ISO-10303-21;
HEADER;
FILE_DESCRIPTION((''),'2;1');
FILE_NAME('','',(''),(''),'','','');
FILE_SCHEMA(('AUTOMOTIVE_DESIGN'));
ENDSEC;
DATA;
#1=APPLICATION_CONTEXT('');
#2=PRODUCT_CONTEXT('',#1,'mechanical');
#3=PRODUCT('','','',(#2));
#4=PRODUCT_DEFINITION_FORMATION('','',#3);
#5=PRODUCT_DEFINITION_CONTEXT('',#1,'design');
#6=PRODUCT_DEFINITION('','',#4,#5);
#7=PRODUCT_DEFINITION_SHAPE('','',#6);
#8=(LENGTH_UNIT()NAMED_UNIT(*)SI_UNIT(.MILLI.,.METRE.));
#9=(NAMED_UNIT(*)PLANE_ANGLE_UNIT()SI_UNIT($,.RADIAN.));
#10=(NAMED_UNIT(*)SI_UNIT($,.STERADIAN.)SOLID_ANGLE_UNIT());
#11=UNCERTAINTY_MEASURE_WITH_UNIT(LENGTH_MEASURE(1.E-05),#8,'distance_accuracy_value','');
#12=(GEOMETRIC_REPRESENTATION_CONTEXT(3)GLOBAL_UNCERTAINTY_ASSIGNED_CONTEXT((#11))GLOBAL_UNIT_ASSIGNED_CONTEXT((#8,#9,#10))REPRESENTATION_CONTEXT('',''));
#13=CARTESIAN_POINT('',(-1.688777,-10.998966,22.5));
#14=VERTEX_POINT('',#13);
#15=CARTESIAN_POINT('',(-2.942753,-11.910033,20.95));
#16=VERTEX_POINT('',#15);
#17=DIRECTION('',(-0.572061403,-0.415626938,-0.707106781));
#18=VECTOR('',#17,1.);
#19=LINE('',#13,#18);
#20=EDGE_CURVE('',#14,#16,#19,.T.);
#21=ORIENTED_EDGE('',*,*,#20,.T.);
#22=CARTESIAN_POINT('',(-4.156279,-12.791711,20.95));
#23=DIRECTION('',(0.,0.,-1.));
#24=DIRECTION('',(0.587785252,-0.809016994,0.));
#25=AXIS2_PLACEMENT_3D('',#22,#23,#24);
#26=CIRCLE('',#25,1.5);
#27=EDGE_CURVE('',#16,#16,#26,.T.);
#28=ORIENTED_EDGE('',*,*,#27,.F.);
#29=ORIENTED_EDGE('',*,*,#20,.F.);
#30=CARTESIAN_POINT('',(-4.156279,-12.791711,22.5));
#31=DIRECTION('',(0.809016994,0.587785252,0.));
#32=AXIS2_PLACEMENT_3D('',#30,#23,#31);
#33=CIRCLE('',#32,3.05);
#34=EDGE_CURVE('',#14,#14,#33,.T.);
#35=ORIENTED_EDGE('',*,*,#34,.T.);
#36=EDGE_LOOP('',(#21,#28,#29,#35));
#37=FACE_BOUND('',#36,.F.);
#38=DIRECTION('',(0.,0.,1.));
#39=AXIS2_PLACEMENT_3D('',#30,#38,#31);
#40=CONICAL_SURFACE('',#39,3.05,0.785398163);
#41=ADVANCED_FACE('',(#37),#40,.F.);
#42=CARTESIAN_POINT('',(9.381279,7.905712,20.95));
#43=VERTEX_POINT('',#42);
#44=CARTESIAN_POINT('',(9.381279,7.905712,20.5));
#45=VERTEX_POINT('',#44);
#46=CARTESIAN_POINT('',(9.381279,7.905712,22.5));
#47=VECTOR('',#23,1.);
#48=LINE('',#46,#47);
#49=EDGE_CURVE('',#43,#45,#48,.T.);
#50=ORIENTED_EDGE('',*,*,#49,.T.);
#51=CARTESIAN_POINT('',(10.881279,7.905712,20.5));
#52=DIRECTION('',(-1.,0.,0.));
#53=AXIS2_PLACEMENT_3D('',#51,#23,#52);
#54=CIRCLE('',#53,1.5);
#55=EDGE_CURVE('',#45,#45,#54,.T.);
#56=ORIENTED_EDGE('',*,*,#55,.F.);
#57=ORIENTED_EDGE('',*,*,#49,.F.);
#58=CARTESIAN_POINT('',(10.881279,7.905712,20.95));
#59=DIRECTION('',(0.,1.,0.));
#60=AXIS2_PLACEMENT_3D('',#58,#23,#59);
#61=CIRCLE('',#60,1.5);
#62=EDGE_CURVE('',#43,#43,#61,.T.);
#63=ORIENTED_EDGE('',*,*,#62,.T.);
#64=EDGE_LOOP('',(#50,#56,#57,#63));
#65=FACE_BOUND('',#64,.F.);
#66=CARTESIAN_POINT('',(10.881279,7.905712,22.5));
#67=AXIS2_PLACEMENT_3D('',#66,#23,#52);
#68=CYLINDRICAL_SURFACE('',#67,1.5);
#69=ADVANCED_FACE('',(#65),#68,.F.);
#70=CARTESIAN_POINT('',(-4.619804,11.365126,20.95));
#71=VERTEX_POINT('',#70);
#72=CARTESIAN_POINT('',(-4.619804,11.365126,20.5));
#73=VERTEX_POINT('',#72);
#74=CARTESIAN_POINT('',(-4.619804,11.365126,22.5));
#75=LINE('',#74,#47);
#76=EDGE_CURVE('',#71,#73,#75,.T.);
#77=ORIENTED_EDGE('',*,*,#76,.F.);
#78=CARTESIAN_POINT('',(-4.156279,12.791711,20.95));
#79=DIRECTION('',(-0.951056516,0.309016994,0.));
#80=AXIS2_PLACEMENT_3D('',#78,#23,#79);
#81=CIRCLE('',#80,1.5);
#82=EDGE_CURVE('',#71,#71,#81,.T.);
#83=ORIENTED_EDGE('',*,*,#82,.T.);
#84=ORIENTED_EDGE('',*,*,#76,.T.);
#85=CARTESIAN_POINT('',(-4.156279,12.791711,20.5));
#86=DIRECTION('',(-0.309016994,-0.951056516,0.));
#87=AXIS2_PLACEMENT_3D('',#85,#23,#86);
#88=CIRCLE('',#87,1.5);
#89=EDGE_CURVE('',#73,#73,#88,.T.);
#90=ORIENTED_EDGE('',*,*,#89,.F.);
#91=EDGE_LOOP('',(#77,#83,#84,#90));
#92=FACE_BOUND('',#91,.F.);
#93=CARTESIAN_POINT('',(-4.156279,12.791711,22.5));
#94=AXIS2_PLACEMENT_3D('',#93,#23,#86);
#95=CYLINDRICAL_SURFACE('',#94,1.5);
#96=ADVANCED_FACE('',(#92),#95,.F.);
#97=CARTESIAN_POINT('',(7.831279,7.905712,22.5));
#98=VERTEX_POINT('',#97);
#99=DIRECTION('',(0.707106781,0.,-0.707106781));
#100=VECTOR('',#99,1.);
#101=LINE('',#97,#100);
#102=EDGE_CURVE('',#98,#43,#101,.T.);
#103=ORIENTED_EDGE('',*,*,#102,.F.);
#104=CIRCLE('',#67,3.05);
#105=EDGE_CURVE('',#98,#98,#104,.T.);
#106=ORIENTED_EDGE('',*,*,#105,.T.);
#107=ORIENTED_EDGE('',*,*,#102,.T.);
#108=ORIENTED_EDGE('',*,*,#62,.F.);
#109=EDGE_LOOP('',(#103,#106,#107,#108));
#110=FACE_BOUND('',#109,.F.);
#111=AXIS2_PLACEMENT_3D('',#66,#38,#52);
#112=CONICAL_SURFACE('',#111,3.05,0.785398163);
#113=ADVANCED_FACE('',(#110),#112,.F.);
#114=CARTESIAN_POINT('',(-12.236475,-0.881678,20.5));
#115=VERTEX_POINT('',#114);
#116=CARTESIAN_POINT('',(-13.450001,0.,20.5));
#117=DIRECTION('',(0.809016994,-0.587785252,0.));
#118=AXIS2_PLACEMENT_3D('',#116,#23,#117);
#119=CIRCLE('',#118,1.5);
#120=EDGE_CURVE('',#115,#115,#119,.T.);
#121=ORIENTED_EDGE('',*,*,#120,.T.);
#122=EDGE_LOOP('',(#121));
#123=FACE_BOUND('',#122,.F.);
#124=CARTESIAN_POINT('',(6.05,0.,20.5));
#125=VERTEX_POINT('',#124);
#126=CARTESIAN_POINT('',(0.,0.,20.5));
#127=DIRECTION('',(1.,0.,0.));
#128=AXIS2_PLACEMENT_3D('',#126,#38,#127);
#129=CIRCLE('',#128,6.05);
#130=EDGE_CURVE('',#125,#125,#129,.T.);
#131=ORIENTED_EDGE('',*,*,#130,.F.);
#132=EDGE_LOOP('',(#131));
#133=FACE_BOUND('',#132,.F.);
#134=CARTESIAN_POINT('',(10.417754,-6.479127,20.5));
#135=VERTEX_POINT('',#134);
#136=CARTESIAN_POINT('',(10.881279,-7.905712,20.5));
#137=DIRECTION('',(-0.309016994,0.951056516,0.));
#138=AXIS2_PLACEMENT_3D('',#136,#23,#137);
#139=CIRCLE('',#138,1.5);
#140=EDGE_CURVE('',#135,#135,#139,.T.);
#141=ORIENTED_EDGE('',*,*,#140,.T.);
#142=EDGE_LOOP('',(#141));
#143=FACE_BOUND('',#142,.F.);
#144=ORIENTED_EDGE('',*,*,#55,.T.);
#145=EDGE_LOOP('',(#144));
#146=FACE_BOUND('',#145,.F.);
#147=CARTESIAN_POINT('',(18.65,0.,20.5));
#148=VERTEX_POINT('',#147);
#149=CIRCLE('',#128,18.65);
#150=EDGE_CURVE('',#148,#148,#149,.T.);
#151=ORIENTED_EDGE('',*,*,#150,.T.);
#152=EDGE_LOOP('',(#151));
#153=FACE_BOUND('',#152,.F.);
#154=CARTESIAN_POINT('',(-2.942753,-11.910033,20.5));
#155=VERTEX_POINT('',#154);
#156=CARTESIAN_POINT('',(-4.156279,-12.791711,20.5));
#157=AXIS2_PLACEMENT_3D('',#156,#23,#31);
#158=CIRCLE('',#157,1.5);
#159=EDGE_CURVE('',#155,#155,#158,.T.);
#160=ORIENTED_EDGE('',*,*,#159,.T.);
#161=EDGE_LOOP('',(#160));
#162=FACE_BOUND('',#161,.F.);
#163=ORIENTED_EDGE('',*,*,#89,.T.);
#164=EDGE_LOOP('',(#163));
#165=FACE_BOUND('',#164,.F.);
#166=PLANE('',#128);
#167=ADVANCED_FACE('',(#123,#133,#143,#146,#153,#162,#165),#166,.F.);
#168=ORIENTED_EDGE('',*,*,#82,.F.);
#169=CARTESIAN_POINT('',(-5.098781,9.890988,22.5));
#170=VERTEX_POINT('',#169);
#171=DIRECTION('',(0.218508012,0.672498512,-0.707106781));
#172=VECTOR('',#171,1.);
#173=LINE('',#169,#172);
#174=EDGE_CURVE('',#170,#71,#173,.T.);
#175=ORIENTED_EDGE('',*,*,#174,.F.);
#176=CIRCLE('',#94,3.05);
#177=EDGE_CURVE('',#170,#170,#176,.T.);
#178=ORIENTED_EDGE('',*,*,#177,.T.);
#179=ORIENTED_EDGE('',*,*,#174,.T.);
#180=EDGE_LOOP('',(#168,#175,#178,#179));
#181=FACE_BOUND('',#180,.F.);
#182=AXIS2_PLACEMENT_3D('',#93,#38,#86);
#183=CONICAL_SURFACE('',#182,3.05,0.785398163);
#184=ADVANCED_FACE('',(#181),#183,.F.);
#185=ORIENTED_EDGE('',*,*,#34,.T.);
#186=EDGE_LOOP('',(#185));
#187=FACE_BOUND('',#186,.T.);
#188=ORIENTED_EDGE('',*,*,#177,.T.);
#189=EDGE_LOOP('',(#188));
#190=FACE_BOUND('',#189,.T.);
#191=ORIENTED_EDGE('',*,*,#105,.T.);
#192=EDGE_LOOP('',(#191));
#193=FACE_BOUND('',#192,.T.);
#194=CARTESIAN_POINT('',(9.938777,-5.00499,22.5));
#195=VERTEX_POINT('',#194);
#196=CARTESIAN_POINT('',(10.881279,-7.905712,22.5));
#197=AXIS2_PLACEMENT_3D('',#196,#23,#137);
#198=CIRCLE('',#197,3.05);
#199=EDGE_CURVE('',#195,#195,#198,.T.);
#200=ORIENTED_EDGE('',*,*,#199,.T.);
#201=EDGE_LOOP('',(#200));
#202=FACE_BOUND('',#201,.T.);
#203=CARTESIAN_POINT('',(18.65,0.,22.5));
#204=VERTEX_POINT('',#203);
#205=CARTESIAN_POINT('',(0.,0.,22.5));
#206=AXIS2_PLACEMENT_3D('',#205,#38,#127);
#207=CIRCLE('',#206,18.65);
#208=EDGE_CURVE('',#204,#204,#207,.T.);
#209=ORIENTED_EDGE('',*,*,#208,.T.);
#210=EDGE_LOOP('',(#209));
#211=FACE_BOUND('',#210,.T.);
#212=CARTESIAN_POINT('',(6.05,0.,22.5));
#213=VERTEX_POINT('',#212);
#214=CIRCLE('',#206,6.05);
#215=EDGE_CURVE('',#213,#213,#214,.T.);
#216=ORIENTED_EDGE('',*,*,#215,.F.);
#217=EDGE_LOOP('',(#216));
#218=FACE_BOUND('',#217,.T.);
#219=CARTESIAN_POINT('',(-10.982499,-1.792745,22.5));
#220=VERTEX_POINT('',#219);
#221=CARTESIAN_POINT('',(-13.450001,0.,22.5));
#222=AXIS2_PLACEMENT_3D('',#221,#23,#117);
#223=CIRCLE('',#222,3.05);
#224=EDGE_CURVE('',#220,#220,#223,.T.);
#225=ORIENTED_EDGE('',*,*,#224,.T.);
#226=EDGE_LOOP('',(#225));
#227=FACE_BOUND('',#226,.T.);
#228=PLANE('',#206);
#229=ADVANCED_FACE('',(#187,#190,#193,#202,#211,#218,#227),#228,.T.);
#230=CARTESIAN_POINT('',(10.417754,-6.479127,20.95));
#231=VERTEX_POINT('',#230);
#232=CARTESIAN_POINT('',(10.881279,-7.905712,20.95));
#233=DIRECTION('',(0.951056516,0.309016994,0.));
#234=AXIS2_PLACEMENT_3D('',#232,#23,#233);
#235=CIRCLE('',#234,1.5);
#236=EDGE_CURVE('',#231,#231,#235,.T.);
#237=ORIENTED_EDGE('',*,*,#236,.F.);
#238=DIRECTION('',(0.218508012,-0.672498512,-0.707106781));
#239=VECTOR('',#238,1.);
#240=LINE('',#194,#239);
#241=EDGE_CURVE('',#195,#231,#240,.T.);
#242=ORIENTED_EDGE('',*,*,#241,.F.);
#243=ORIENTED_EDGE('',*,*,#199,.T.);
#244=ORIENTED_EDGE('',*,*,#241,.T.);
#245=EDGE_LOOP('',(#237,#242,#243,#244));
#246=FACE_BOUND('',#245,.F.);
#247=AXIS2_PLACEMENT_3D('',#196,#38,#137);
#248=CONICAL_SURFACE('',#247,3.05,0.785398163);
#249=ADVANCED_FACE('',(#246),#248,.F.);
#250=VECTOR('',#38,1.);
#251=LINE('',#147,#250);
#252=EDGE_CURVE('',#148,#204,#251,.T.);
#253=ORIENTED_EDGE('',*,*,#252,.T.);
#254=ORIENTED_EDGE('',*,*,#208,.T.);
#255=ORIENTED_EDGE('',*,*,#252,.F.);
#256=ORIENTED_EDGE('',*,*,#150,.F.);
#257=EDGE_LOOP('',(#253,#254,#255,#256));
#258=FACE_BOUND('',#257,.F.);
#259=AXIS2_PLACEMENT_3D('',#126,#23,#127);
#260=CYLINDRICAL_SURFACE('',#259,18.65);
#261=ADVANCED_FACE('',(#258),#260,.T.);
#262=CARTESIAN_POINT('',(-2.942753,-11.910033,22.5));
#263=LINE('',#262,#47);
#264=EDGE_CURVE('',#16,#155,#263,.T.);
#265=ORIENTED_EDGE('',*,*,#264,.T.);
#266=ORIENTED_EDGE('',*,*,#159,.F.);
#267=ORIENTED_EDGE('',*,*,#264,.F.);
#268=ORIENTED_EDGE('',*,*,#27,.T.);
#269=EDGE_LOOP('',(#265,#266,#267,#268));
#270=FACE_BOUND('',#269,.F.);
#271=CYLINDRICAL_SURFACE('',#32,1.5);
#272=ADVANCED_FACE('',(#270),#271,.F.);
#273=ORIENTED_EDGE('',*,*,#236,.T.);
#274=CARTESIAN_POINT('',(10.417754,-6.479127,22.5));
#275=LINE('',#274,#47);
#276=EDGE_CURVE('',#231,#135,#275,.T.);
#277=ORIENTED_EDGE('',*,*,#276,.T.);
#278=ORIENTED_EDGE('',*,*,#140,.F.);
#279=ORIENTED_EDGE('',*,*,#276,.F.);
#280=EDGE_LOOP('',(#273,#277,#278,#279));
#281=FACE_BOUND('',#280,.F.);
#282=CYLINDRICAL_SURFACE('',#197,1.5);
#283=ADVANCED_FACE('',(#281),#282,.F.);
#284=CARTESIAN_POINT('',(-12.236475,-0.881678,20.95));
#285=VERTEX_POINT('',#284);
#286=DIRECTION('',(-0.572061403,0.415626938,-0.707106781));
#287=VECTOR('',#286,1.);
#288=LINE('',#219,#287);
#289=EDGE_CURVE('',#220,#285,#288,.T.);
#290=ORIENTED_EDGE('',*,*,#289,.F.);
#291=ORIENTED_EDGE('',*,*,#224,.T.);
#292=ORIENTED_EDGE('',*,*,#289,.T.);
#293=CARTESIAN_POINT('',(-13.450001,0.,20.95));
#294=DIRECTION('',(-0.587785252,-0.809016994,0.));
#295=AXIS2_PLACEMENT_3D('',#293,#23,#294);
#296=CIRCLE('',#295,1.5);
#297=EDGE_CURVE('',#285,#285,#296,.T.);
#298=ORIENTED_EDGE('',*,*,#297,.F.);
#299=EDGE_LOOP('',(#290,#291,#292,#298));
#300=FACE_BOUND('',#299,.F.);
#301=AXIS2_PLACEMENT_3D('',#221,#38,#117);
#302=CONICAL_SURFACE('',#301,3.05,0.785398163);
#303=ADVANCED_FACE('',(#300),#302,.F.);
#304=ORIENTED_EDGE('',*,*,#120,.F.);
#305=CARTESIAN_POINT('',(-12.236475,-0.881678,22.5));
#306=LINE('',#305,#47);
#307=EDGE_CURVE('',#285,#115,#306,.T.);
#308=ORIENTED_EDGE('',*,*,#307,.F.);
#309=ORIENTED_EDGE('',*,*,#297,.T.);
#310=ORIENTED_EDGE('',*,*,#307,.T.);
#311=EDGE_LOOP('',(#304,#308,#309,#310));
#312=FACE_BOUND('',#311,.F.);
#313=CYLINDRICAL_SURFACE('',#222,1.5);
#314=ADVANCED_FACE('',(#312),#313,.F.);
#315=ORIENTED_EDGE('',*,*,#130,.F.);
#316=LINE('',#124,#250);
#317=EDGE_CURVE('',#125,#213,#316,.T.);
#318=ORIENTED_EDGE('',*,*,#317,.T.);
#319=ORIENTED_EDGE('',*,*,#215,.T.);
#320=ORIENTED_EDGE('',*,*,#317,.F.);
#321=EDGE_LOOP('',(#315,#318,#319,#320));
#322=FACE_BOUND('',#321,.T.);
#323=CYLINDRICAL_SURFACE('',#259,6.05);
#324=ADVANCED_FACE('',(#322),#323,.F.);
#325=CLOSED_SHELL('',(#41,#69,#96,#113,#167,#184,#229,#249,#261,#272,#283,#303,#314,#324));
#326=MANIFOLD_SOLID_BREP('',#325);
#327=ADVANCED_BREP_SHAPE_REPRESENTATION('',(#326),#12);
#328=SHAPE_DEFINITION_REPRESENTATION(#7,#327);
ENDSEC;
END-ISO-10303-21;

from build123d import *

# Parameters (mm, degrees)
SKETCH046_R           = 18.65
SKETCH046_R_2         = 6.05
PAD013_DEPTH          = 2
HOLE001_D             = 3
HOLE001_CSINK_D       = 6.1
HOLE001_CSINK_ANGLE   = 90
POLARPATTERN002_COUNT = 5


with BuildPart() as part:
    # Sketch046 → Pad013 (new body)
    with BuildSketch(Plane.XY.offset(20.5)):
        Circle(SKETCH046_R)
        Circle(SKETCH046_R_2, mode=Mode.SUBTRACT)
    extrude(amount=PAD013_DEPTH)

    # Hole001 (through all)
    with Locations(Plane.XY.offset(22.5)):
        with Locations((10.881279, 7.905712)):
            hole001 = CounterSinkHole(HOLE001_D / 2, HOLE001_CSINK_D / 2, counter_sink_angle=HOLE001_CSINK_ANGLE)

    # PolarPattern002: Hole001 ×5 about axis
    polarpattern002_axis = Axis((0, 0, 22.5), (0, 0, 1))
    for i in range(1, POLARPATTERN002_COUNT):
        add(hole001.rotate(polarpattern002_axis, i * 360 / POLARPATTERN002_COUNT), mode=Mode.SUBTRACT)


solid = part.part
